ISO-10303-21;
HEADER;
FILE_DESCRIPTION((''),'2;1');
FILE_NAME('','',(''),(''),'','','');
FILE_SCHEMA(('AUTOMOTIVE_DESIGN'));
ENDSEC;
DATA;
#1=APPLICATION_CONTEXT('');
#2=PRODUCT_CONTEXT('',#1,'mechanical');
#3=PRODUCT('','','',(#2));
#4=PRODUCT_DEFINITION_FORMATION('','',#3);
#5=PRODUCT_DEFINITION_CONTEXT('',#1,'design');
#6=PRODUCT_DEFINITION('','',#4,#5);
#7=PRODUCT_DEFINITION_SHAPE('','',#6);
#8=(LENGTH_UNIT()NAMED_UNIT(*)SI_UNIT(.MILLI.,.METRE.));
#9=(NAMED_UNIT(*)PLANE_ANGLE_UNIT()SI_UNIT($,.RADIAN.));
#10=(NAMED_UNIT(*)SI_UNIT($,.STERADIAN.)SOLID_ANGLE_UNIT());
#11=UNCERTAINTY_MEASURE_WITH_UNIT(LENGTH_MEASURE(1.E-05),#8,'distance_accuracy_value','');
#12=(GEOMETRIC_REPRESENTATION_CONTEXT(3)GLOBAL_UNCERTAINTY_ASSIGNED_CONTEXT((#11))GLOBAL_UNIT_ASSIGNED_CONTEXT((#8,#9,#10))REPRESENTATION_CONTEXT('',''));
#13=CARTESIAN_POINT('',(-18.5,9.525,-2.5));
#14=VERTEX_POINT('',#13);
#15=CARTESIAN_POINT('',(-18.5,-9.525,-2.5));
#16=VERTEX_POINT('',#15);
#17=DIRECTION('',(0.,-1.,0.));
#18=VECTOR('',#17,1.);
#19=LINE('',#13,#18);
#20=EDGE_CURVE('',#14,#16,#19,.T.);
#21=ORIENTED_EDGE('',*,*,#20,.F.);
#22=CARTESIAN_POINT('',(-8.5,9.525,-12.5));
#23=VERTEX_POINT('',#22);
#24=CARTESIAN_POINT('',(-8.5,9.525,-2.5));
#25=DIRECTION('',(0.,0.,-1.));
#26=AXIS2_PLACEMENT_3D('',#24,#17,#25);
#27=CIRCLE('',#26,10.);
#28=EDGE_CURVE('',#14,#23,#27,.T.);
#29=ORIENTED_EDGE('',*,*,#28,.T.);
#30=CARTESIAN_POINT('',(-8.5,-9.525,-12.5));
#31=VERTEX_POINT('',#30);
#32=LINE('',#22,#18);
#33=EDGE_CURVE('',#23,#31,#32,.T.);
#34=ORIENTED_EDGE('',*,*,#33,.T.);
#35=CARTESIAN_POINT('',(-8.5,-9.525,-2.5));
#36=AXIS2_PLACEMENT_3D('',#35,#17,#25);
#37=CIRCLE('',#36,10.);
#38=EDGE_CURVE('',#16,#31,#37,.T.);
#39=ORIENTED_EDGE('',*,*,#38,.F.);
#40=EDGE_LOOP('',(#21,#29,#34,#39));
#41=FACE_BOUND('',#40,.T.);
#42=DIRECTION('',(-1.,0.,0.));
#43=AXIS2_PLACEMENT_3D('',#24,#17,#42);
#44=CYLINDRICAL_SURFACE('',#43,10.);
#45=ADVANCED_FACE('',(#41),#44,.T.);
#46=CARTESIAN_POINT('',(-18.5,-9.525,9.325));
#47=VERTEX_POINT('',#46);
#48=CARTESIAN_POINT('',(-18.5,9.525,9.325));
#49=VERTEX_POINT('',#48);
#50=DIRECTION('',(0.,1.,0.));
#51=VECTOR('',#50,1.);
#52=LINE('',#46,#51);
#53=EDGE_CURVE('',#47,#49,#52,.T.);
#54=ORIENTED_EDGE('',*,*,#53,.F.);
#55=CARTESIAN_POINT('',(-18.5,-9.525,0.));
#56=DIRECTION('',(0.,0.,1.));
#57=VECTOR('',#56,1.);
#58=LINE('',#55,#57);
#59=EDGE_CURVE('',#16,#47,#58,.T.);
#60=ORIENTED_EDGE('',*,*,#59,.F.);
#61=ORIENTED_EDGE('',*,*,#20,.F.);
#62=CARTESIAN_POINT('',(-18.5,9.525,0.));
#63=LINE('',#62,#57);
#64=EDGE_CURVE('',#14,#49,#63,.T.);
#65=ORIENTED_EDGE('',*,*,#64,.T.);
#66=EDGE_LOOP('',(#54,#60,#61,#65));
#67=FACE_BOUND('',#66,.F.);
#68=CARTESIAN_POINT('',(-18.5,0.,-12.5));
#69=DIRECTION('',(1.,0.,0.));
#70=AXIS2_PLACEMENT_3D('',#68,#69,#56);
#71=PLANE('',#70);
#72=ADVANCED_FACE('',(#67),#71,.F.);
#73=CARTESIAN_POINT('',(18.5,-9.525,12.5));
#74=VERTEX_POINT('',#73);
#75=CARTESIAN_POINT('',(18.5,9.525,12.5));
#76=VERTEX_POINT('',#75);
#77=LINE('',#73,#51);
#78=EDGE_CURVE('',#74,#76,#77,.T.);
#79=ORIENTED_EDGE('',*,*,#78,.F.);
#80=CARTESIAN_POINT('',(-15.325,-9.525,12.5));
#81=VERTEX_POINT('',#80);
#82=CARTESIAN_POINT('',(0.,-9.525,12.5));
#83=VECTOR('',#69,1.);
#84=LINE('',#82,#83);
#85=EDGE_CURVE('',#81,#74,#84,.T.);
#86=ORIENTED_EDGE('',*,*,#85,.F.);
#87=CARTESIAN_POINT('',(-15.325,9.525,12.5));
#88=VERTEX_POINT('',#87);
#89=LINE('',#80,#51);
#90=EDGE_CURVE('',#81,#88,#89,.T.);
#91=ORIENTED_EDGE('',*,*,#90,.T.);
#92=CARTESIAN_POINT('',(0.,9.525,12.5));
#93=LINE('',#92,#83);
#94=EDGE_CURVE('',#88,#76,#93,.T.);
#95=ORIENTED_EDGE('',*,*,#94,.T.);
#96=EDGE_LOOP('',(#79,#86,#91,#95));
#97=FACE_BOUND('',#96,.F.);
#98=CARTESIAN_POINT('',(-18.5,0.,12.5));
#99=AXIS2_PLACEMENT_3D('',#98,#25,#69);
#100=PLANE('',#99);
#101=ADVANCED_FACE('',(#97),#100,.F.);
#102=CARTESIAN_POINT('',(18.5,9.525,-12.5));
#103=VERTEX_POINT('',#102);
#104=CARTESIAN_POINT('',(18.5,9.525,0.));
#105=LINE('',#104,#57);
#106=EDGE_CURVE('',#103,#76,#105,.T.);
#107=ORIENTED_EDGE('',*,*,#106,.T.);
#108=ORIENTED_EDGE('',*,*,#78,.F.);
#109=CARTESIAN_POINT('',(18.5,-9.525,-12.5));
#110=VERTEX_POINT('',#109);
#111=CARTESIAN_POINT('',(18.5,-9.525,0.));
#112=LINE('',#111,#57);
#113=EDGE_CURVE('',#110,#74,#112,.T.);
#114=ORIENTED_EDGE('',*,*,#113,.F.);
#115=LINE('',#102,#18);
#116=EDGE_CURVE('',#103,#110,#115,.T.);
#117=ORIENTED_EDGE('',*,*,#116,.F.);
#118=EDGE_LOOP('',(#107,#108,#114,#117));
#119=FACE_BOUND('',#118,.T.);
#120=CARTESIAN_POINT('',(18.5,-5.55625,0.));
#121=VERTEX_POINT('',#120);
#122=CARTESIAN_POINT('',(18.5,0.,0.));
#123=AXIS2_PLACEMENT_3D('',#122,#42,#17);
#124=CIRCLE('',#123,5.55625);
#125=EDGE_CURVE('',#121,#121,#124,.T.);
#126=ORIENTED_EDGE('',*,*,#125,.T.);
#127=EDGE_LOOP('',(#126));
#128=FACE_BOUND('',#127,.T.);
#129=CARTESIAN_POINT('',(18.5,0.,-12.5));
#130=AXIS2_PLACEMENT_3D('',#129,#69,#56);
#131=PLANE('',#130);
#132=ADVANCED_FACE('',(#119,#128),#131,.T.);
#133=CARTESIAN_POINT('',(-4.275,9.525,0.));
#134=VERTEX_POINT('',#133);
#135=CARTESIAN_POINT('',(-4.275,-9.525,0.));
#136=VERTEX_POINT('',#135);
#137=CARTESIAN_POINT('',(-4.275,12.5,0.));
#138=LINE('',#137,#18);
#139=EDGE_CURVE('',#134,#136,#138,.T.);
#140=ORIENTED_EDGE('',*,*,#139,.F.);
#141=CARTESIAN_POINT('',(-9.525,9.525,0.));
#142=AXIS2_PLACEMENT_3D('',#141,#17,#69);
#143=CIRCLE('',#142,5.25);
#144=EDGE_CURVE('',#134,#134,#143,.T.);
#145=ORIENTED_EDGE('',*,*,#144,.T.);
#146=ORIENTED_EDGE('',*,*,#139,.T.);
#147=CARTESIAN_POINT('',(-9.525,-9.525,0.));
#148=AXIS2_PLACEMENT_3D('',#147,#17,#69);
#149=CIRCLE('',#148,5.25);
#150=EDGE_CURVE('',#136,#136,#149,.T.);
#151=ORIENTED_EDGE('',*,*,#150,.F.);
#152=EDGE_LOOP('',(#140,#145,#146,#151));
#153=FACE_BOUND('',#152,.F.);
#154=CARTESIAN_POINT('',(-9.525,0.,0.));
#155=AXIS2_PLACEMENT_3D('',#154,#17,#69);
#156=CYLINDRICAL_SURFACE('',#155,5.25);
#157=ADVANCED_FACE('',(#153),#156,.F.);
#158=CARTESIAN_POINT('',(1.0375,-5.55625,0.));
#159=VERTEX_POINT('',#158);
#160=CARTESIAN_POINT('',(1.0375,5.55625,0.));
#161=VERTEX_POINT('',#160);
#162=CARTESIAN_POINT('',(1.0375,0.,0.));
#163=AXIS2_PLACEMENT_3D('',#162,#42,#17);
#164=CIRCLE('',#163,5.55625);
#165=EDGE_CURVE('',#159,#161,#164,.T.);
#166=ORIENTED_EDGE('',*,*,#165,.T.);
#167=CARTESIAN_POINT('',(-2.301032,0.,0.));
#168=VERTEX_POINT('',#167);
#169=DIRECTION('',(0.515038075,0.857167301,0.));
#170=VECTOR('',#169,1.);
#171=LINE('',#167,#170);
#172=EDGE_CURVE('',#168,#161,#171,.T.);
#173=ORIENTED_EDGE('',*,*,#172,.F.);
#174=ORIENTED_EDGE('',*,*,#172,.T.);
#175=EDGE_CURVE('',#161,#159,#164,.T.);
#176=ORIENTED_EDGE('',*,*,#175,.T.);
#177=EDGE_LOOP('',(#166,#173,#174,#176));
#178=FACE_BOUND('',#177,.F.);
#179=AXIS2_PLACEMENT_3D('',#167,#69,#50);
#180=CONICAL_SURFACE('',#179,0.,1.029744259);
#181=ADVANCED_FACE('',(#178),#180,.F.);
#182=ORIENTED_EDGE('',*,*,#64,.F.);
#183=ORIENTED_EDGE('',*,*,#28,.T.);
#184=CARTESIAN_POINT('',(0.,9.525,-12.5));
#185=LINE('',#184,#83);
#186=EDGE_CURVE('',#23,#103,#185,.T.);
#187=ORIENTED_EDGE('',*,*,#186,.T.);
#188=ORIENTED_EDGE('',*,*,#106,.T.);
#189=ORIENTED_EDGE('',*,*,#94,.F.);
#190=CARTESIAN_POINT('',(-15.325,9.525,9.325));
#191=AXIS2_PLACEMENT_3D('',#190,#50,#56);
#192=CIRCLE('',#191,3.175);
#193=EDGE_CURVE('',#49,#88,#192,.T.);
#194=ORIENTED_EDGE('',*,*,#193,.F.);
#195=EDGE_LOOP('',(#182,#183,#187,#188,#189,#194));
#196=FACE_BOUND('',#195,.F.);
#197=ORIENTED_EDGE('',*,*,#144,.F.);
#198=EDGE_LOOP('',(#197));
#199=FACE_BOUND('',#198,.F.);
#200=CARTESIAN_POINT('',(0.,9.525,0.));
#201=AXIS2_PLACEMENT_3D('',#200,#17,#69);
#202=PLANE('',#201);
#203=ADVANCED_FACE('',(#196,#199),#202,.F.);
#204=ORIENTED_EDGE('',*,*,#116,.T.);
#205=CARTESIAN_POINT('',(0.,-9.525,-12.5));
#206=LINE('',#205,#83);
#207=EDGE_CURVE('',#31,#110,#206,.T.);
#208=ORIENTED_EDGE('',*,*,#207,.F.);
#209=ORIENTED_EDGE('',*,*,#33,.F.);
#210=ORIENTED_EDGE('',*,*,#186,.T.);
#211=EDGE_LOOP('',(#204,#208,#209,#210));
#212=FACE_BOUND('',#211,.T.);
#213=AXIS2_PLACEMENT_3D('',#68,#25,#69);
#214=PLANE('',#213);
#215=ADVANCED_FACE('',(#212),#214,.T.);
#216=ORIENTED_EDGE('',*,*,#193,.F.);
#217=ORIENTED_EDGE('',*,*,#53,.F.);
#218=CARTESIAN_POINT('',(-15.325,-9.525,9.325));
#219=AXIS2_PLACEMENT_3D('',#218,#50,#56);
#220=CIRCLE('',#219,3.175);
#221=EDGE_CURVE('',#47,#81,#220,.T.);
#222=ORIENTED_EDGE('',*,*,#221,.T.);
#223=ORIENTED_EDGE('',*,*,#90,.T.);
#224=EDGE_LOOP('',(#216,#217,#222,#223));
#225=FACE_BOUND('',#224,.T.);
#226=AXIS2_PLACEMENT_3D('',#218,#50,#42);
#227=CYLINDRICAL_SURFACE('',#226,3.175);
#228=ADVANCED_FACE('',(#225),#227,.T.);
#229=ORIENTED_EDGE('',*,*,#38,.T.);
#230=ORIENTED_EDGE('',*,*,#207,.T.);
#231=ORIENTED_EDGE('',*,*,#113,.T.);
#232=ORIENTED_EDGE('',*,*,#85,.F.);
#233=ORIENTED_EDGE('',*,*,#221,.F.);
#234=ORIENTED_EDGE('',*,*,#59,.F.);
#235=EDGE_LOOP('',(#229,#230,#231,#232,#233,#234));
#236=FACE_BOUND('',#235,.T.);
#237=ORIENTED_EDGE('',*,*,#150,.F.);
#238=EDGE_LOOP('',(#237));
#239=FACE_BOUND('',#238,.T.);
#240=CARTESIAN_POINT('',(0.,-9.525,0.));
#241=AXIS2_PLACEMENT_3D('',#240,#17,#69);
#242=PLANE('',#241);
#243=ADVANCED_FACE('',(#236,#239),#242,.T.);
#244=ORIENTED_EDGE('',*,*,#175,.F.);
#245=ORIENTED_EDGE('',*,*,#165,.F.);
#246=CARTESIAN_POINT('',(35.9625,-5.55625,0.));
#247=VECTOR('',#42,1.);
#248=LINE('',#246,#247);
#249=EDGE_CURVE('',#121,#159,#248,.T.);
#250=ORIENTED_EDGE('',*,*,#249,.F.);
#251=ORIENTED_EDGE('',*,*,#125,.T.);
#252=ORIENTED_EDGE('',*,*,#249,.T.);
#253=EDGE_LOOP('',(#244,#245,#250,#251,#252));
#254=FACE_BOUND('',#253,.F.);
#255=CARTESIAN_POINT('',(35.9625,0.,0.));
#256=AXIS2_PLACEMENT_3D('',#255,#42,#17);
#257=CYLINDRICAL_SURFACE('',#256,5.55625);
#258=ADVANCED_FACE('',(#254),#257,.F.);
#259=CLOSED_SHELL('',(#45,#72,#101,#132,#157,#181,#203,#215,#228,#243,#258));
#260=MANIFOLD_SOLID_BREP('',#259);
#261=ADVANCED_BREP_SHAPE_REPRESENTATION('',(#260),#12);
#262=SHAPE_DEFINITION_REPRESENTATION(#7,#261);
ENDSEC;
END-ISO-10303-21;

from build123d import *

# Parameters (mm, degrees)
F0_W     = 37
F0_H     = 25
F2_DEPTH = 9.525
F1_R     = 5.25
F3_DEPTH = 12.5
F4_R     = 10
F6_D     = 11.1125
F6_DEPTH = 17.4625
F6_TIP   = 3.3385318145
F7_R     = 3.175


with BuildPart() as f2:
    # F0 (on Front) → F2 (new body, symmetric)
    with BuildSketch(Plane.XZ):
        Rectangle(F0_W, F0_H)
    extrude(amount=F2_DEPTH, both=True)

    # F1 (on Front) → F3 (cut, symmetric)
    with BuildSketch(Plane.XZ):
        with Locations((-9.525, 0)):
            Circle(F1_R)
    extrude(amount=F3_DEPTH, both=True, mode=Mode.SUBTRACT)

    # F4
    f4_edges = [f2.edges().sort_by_distance(p)[0] for p in [
        (-18.5, 0, -12.5),
    ]]
    fillet(f4_edges, radius=F4_R)

    # F6
    with Locations(Plane.YZ.offset(18.5)):
        with Locations((0, 0)):
            Hole(F6_D / 2, depth=F6_DEPTH)
            with Locations((0, 0, -(F6_DEPTH + F6_TIP / 2))):  # 118° drill point
                Cone(0, F6_D / 2, F6_TIP, mode=Mode.SUBTRACT)

    # F7
    f7_edges = [f2.edges().sort_by_distance(p)[0] for p in [
        (-18.5, 0, 12.5),
    ]]
    fillet(f7_edges, radius=F7_R)


solid = f2.part
